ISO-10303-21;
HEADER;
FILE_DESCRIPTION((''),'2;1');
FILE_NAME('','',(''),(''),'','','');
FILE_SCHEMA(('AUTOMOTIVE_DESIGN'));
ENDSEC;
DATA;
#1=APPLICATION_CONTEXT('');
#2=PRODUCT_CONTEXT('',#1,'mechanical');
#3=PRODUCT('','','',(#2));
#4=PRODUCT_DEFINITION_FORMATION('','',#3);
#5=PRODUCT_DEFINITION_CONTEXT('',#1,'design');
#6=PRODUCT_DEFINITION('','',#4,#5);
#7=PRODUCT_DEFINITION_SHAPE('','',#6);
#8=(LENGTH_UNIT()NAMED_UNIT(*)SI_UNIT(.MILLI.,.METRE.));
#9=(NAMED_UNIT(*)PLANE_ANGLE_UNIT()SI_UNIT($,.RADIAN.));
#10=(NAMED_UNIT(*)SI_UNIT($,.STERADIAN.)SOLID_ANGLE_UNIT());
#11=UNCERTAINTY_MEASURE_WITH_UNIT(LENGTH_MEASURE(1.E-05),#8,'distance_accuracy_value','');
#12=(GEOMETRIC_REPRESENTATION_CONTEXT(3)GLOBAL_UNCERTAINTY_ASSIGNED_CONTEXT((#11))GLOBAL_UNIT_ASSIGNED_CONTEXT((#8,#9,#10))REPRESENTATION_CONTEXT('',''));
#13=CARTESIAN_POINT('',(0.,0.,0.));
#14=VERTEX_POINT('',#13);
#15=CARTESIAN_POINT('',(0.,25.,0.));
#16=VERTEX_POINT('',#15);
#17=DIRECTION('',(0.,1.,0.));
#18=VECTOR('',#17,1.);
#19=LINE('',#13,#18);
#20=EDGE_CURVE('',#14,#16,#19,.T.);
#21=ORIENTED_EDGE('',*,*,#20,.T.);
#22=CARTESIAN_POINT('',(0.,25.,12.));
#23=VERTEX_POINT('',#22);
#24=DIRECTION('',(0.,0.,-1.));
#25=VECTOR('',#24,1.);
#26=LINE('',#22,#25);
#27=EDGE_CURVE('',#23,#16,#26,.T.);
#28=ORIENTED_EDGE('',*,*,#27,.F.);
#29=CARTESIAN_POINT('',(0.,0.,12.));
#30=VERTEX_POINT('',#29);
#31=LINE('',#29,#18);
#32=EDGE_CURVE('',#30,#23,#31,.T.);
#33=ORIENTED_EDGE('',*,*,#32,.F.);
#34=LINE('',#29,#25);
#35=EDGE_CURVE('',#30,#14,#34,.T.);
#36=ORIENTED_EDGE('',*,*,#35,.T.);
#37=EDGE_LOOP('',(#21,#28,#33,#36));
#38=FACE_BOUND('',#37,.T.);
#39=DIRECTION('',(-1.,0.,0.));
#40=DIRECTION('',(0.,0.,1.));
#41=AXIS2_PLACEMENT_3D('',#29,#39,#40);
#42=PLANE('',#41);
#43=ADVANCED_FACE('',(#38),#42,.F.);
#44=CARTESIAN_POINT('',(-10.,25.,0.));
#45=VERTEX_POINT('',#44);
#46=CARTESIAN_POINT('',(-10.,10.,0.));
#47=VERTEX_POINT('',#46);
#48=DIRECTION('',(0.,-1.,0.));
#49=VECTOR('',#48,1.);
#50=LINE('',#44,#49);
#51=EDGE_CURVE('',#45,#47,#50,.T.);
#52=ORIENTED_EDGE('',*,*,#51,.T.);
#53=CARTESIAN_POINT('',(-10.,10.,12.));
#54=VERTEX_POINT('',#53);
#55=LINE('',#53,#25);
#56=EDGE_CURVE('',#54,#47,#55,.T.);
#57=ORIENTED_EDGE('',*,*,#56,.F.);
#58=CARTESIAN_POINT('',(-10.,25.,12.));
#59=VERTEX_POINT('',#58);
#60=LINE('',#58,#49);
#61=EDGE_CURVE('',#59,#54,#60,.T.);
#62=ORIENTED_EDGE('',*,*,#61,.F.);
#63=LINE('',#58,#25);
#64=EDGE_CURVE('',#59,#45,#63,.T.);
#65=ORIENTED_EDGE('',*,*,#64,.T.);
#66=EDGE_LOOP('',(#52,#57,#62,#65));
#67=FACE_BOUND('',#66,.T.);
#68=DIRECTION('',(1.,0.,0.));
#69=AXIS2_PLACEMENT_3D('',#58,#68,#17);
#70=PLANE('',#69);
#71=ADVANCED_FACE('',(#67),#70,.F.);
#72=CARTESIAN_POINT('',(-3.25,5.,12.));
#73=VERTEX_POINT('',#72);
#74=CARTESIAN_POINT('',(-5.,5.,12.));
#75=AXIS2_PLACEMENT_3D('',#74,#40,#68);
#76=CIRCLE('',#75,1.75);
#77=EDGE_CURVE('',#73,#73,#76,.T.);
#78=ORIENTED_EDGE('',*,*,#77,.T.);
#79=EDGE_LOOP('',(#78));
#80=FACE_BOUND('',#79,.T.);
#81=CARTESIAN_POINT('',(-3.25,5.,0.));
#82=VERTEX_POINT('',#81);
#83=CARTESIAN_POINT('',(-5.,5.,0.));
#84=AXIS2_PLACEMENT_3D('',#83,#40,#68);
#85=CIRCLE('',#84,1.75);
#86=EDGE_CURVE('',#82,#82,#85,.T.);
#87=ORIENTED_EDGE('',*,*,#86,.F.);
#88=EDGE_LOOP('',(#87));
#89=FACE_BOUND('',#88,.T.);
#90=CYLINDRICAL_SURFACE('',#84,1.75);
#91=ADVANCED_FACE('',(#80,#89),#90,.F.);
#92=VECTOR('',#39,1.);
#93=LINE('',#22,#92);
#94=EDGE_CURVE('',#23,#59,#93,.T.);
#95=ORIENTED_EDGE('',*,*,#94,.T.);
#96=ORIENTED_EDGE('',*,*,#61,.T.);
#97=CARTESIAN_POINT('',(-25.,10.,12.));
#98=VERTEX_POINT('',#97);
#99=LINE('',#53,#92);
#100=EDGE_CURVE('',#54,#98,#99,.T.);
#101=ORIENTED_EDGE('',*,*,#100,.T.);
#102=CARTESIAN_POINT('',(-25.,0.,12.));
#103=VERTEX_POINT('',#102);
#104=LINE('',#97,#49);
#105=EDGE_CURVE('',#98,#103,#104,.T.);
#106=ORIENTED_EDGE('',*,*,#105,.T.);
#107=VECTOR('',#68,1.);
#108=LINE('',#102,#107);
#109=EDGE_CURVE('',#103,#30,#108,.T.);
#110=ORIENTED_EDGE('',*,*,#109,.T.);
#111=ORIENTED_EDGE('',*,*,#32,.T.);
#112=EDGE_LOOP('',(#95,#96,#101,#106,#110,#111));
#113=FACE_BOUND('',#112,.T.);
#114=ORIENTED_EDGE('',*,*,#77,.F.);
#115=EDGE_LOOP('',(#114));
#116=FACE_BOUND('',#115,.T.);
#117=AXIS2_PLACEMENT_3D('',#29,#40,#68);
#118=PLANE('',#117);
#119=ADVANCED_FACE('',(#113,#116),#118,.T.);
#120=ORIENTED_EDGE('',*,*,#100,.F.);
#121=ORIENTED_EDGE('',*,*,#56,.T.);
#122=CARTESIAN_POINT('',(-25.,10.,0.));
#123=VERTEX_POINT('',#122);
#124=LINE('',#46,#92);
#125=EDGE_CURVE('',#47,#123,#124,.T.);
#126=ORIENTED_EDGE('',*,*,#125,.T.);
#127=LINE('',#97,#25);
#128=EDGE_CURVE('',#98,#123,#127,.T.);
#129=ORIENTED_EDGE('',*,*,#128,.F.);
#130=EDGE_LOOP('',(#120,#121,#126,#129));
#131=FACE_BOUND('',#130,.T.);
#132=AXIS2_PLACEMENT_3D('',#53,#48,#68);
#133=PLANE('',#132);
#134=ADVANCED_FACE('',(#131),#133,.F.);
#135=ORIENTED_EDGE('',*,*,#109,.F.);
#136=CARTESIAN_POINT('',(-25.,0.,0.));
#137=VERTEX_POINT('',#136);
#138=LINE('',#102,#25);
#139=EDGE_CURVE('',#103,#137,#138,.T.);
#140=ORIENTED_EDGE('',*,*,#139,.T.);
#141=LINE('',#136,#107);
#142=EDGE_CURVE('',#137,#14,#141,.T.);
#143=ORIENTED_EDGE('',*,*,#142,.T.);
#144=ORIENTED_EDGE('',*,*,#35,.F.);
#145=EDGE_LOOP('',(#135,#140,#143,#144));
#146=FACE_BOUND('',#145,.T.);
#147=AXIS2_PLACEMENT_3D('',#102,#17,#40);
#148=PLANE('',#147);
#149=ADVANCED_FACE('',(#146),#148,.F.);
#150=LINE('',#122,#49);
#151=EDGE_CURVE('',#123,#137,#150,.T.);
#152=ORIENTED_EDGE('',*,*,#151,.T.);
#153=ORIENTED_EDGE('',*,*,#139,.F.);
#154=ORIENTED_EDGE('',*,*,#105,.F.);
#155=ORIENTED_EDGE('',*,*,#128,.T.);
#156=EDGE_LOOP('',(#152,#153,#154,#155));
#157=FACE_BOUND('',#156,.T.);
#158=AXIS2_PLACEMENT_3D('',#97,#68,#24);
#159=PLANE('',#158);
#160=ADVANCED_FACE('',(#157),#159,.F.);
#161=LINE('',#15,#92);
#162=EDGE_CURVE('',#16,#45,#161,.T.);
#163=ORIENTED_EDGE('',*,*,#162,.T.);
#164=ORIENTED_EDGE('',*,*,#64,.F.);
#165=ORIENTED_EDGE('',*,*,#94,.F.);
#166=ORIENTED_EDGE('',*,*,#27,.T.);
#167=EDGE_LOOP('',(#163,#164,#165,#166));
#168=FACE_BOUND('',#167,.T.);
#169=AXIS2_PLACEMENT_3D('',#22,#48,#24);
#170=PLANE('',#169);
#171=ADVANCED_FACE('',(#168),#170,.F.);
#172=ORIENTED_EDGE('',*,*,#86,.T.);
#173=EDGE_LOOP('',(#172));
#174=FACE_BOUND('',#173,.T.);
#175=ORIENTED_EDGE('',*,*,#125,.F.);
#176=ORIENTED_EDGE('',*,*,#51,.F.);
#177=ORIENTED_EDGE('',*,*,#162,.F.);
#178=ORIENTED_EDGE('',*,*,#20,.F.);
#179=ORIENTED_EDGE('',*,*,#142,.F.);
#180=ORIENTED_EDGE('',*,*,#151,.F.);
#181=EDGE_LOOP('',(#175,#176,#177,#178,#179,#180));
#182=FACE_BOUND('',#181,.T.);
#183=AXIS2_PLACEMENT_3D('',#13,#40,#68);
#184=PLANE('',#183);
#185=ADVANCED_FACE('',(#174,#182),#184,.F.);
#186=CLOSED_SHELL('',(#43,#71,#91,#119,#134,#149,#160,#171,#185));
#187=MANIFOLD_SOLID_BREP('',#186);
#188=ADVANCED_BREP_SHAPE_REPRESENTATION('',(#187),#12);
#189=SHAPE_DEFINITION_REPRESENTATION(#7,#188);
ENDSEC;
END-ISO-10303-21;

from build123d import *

# Parameters (mm, degrees)
BOSS_EXTRUDE1_DEPTH = 12
SKETCH2_R           = 1.75
CUT_EXTRUDE1_DEPTH  = 13


with BuildPart() as part:
    # Sketch1 → Boss-Extrude1 (new body)
    with BuildSketch(Plane.XY):
        Polygon((0, 0), (0, 25), (-10, 25), (-10, 10), (-25, 10), (-25, 0), align=None)
    extrude(amount=BOSS_EXTRUDE1_DEPTH)

    # Sketch2 → Cut-Extrude1 (cut, through all)
    with BuildSketch(Plane.XY.offset(12)):
        with Locations((-5, 5)):
            Circle(SKETCH2_R)
    extrude(amount=-CUT_EXTRUDE1_DEPTH, mode=Mode.SUBTRACT)


solid = part.part
